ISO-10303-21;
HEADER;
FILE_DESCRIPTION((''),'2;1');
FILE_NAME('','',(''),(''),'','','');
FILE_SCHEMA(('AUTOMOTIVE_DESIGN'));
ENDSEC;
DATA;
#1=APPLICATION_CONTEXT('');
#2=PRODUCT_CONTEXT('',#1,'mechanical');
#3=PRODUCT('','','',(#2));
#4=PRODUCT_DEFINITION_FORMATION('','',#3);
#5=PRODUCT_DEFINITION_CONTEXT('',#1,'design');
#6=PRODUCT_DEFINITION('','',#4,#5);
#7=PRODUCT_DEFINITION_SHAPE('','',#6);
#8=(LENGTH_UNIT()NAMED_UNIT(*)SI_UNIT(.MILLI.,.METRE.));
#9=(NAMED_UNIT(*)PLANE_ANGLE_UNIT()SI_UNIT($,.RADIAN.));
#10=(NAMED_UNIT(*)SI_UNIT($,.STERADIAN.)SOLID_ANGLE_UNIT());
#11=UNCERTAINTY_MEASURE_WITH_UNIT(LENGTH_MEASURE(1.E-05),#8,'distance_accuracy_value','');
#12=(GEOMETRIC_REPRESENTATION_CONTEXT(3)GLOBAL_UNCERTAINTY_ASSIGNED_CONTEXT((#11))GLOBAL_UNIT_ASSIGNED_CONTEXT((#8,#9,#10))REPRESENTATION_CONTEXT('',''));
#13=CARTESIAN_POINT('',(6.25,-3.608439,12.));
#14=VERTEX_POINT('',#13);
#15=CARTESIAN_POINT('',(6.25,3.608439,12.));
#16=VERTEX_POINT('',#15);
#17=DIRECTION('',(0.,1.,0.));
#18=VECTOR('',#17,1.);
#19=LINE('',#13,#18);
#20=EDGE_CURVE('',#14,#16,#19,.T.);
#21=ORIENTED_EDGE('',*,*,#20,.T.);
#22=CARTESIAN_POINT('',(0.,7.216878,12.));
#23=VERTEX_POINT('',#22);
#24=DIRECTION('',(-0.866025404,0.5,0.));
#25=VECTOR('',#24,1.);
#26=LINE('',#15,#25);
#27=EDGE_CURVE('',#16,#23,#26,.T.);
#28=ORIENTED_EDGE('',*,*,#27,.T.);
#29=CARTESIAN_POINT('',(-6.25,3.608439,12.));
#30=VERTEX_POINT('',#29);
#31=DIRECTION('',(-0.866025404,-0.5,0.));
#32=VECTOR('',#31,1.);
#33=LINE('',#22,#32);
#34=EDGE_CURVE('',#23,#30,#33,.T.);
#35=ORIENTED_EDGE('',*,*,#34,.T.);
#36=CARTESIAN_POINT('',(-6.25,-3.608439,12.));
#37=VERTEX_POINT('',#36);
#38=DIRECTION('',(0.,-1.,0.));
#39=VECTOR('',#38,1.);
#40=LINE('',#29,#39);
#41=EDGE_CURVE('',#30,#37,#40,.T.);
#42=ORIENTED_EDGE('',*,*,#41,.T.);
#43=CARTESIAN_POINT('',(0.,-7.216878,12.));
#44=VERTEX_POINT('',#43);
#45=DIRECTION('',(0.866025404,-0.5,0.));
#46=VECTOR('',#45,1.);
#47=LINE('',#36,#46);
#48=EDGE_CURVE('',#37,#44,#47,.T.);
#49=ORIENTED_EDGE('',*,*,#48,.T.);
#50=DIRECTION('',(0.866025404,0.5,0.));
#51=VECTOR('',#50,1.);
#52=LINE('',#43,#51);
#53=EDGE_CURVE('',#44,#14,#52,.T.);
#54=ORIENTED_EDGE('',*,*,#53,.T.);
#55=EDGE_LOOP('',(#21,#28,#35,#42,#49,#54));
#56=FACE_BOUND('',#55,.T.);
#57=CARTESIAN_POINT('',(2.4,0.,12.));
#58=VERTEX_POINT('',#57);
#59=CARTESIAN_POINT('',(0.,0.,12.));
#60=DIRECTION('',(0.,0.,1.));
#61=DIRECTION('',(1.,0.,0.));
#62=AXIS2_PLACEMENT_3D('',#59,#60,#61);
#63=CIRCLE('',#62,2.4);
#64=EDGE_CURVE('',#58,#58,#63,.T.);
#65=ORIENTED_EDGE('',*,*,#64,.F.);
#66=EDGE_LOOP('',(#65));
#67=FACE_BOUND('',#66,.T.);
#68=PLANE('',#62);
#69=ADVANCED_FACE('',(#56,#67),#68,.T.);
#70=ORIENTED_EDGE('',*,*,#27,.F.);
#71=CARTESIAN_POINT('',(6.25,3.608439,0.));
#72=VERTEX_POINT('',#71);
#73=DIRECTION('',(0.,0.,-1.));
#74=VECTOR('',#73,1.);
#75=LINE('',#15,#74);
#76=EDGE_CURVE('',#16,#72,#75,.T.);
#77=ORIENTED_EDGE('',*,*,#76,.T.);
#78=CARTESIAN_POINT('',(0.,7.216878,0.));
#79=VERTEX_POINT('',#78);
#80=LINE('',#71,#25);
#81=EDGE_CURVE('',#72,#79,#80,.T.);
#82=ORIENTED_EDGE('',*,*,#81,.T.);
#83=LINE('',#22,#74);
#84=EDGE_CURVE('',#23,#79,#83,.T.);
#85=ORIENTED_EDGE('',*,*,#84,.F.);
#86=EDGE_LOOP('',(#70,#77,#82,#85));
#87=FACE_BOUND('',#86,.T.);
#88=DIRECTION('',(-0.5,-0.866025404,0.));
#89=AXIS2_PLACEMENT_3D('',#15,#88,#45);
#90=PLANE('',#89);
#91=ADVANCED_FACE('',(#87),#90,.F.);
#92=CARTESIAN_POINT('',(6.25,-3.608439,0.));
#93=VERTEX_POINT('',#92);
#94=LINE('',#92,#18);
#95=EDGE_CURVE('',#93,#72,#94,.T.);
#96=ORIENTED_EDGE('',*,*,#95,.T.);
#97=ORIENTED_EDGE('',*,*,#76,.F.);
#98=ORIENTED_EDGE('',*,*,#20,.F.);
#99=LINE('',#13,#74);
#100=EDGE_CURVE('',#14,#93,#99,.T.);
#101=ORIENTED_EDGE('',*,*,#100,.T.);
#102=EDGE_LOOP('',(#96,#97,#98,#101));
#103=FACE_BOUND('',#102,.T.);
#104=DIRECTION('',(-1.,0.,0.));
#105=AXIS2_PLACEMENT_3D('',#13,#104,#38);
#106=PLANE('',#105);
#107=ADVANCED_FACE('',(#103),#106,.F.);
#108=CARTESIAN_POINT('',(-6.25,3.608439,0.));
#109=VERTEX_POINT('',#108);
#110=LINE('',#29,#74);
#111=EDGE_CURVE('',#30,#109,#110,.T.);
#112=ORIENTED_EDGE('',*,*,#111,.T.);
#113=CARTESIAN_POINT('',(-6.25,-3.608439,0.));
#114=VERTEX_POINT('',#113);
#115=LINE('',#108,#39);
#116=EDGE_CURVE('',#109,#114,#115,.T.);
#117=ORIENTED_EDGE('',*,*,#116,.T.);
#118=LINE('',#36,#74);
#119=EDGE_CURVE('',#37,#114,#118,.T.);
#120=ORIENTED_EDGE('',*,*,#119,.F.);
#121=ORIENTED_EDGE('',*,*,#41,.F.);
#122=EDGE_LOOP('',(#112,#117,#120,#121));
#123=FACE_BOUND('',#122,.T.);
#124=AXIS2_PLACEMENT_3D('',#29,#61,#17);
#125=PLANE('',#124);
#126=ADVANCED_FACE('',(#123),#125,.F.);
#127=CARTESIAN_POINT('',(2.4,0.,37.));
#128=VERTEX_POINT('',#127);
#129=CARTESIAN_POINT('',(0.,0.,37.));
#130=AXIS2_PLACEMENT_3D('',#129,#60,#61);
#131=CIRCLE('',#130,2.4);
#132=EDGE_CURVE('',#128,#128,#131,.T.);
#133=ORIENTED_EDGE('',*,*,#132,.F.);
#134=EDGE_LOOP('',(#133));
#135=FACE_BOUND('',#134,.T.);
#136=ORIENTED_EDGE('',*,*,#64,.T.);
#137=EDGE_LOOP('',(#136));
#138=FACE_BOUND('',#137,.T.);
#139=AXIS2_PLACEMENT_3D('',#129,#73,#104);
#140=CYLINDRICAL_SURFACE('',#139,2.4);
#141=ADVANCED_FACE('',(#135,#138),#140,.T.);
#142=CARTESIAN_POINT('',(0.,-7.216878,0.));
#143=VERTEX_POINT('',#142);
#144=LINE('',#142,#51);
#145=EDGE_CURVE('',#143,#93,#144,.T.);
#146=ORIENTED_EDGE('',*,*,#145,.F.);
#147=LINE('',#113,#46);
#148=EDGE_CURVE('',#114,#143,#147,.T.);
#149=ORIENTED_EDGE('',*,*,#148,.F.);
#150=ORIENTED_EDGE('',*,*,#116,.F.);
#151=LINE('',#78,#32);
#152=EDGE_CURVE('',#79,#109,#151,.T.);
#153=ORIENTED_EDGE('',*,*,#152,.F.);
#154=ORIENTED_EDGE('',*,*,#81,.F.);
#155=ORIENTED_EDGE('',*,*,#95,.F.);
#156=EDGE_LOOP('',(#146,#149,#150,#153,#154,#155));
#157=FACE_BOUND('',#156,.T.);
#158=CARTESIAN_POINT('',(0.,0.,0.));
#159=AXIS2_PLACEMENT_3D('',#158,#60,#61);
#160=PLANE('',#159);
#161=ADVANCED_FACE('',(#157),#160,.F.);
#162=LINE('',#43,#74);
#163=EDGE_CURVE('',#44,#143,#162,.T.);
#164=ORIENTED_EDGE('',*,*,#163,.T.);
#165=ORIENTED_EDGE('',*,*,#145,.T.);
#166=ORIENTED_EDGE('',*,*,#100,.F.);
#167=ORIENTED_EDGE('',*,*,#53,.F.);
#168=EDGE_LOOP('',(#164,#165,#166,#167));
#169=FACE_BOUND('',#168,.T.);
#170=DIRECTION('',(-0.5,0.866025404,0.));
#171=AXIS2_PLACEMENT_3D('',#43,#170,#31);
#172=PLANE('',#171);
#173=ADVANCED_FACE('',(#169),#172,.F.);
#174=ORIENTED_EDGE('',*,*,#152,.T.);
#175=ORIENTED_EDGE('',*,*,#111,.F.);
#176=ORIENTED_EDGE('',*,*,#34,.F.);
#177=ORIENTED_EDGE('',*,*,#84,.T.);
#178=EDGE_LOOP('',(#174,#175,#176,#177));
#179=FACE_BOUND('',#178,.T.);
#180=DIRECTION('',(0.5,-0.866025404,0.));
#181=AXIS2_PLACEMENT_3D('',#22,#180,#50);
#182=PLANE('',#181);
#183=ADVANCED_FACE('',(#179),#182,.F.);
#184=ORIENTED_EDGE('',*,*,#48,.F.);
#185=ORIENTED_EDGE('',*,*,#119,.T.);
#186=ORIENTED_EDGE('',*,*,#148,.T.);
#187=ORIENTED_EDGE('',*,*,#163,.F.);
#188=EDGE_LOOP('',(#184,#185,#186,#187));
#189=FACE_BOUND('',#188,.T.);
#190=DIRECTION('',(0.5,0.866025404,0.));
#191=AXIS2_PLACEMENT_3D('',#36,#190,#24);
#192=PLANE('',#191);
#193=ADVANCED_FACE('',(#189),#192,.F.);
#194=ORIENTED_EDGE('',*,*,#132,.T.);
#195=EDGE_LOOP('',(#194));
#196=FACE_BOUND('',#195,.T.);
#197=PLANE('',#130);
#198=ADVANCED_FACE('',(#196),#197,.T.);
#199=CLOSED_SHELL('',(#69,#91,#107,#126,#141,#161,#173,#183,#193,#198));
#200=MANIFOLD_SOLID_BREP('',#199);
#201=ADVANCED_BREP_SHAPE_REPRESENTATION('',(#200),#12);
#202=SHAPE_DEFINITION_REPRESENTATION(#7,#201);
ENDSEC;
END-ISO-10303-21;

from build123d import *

# Parameters (mm, degrees)
SALIENTE_EXTRUIR1_DEPTH = 12
CROQUIS2_R              = 2.4
SALIENTE_EXTRUIR2_DEPTH = 25


with BuildPart() as part:
    # Croquis1 → Saliente-Extruir1 (new body)
    with BuildSketch(Plane.XY):
        Polygon((0, 7.216878365), (-6.25, 3.608439182), (-6.25, -3.608439182), (0, -7.216878365), (6.25, -3.608439182), (6.25, 3.608439182), align=None)
    extrude(amount=SALIENTE_EXTRUIR1_DEPTH)

    # Croquis2 → Saliente-Extruir2 (add)
    with BuildSketch(Plane.XY.offset(12)):
        Circle(CROQUIS2_R)
    extrude(amount=SALIENTE_EXTRUIR2_DEPTH)


solid = part.part
